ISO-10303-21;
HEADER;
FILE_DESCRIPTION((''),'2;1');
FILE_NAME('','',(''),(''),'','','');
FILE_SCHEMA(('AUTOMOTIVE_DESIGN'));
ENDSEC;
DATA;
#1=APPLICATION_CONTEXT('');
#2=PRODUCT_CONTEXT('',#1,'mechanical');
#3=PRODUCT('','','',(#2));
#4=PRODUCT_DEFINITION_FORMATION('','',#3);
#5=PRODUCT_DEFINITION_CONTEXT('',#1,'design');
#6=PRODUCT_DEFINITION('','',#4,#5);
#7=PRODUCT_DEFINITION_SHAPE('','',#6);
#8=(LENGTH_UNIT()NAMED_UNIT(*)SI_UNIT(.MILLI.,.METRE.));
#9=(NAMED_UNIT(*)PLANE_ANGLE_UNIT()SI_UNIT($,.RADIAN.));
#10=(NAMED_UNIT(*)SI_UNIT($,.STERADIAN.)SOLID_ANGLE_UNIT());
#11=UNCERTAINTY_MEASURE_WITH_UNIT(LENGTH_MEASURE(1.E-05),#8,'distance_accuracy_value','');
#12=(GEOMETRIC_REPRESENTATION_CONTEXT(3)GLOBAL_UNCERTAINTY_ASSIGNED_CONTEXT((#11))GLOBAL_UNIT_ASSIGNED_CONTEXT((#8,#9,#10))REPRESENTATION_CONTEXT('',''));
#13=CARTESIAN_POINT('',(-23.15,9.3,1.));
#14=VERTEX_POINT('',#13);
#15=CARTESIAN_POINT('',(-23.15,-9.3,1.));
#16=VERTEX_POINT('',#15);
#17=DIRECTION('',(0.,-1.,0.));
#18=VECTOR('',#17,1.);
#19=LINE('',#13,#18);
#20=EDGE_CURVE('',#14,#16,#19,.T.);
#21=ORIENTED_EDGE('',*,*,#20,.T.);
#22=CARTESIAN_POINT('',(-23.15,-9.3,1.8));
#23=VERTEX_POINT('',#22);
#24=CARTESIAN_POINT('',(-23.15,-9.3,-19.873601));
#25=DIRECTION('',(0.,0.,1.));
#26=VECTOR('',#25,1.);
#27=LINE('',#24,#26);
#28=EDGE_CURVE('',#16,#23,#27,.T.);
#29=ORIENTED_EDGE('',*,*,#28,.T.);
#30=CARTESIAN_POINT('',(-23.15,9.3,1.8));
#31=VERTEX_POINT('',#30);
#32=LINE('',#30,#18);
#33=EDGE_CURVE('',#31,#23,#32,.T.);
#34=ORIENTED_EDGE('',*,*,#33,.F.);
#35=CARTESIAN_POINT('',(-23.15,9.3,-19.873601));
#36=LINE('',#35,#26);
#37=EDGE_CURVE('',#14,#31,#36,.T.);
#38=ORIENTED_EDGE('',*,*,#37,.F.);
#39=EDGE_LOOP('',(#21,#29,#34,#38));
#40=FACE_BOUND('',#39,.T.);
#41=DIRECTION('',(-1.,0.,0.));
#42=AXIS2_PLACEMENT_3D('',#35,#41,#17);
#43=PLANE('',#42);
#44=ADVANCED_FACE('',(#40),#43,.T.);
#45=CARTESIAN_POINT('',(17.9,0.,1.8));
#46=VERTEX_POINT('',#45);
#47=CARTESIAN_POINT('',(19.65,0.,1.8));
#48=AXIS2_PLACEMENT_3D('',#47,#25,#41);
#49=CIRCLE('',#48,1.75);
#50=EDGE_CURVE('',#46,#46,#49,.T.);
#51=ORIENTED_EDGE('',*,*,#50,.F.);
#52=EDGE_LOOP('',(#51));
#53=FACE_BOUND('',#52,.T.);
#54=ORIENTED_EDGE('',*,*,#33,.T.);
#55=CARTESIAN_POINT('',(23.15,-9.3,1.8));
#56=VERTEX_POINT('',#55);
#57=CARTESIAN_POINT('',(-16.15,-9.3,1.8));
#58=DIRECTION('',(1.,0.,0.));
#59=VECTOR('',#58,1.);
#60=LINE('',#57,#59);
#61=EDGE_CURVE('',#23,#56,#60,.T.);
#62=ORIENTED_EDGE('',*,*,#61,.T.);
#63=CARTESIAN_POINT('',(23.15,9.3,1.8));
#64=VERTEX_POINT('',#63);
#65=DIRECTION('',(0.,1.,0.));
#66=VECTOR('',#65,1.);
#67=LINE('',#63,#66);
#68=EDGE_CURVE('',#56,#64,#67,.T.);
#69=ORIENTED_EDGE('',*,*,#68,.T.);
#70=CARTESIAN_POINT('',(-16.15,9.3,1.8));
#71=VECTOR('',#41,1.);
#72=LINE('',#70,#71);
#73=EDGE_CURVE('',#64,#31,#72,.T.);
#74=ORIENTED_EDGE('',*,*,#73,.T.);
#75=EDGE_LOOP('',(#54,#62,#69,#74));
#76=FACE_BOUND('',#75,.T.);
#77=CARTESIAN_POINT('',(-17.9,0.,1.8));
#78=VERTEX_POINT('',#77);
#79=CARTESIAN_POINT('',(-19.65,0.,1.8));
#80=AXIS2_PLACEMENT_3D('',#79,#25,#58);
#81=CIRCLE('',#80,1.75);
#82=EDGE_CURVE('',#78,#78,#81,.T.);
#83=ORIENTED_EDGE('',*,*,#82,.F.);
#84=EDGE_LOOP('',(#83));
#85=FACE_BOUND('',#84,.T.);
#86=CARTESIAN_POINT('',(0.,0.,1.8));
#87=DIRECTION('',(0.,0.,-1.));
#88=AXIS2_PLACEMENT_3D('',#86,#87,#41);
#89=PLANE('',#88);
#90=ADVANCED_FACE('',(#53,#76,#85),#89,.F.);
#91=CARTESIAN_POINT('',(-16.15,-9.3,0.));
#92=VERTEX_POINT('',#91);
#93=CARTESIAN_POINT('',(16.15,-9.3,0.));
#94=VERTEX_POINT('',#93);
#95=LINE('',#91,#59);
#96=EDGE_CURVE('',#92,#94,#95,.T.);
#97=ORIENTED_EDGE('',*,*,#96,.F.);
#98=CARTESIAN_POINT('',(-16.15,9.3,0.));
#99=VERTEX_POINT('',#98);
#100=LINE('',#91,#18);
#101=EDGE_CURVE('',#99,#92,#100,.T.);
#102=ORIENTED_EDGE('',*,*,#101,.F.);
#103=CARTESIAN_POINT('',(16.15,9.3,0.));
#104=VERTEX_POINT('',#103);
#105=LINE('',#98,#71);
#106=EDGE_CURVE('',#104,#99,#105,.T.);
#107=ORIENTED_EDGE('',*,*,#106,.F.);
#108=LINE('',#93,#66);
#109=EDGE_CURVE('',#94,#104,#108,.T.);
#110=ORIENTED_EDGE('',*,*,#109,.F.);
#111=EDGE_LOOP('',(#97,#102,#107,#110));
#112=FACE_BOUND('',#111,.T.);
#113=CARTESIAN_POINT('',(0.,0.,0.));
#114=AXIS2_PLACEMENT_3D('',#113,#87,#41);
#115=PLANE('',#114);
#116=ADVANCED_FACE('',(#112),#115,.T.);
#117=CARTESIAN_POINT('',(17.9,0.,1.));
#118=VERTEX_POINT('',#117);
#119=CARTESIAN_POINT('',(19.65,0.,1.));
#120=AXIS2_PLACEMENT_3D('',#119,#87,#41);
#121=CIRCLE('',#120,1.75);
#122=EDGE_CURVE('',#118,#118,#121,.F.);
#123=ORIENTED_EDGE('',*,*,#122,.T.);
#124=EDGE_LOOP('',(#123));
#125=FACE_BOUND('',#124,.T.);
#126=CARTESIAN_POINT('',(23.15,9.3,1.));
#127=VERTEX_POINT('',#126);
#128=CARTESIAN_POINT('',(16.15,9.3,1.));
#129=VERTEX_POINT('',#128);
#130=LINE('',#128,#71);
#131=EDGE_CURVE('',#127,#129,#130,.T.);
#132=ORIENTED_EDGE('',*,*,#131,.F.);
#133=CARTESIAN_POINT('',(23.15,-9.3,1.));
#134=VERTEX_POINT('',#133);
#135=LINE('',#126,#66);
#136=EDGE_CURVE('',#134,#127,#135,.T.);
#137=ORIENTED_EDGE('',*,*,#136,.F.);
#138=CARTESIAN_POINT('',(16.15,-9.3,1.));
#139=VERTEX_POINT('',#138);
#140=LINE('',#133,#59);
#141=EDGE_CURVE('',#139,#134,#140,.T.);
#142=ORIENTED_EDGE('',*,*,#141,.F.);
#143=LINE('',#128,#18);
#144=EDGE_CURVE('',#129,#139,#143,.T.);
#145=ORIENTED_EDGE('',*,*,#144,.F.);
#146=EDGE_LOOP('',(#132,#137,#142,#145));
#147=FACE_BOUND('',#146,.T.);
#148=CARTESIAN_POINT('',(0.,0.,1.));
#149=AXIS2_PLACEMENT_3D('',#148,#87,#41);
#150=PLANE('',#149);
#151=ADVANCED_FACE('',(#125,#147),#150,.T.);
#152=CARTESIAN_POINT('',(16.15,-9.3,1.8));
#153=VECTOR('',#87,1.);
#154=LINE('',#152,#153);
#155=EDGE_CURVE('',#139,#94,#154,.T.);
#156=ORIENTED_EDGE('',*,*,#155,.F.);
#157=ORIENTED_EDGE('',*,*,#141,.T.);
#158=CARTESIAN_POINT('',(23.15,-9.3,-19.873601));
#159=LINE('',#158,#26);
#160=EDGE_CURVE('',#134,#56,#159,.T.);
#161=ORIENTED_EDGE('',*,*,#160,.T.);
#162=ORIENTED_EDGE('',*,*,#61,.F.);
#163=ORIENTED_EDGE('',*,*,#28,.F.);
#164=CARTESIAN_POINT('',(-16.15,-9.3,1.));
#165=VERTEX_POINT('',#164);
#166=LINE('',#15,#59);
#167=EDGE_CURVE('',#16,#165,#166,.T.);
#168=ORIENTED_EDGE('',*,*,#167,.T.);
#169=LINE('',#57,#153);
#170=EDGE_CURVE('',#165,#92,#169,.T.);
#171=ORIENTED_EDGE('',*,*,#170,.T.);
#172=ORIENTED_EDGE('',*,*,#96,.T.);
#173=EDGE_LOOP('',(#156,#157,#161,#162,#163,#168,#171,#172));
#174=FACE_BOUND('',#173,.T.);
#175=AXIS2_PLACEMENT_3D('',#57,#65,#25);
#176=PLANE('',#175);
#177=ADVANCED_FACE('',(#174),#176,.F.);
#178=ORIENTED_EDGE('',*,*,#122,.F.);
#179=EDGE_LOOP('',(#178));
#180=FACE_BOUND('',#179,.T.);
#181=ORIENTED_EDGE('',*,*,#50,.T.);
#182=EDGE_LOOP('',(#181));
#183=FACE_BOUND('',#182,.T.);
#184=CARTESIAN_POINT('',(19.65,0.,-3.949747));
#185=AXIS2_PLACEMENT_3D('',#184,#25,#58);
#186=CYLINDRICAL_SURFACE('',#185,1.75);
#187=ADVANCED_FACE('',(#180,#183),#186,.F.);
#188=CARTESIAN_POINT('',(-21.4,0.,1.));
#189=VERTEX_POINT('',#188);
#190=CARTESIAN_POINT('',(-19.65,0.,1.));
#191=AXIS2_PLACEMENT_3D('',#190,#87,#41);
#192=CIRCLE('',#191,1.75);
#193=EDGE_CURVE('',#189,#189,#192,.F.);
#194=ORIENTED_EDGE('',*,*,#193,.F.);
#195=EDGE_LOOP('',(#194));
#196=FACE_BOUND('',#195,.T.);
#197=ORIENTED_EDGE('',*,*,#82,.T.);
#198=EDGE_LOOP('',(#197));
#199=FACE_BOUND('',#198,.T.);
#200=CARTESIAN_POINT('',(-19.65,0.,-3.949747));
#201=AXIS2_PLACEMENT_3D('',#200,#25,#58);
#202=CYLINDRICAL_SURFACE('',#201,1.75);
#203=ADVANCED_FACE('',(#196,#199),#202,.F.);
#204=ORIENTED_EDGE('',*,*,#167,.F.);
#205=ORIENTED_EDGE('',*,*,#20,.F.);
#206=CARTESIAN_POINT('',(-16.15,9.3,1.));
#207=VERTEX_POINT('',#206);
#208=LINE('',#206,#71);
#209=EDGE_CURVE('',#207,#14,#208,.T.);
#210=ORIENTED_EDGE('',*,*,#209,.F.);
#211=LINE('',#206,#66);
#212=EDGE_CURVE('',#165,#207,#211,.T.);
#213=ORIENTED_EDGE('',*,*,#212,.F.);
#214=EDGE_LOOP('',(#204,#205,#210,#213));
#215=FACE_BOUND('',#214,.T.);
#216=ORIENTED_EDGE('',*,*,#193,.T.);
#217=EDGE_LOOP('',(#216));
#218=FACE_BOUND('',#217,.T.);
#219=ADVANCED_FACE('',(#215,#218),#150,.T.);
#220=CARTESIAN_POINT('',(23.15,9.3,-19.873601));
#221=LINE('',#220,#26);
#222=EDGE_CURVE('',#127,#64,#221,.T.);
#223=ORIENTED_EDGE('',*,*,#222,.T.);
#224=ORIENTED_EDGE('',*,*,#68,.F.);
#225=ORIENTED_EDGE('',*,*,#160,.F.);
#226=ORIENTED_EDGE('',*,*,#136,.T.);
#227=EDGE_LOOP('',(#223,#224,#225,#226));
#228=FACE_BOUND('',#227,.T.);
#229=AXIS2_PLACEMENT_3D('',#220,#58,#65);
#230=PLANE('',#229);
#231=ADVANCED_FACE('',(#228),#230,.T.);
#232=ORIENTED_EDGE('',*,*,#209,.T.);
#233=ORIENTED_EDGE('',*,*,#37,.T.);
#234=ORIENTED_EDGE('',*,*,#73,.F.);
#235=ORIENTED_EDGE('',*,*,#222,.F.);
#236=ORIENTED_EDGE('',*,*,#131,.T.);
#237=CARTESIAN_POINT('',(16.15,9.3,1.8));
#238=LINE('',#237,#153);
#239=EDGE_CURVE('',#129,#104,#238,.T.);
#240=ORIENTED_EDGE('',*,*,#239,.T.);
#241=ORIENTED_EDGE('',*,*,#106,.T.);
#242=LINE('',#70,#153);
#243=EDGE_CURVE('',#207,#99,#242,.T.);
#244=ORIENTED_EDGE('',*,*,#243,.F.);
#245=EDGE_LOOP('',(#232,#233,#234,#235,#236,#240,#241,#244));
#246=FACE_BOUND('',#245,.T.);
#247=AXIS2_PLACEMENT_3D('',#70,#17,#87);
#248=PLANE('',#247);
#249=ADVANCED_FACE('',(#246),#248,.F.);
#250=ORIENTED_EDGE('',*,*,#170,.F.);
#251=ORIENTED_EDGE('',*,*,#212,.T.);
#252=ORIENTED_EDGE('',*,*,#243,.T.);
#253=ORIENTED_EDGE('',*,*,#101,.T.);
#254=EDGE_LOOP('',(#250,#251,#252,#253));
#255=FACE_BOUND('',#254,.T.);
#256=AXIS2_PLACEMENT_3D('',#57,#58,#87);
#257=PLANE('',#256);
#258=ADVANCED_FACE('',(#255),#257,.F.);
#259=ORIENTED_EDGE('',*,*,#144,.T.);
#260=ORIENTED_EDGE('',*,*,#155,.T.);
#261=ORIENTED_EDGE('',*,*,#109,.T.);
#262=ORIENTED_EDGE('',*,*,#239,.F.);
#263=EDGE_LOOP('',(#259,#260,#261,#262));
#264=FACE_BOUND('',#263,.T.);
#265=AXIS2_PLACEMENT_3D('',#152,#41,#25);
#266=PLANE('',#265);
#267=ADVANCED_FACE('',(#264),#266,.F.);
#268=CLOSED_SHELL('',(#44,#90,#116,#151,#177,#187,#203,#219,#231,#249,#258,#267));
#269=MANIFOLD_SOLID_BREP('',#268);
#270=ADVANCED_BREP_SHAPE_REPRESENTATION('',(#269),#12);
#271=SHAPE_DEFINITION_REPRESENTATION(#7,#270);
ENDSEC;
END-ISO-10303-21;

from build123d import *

# Parameters (mm, degrees)
SKETCH1_W           = 32.3
SKETCH1_H           = 18.6
BOSS_EXTRUDE1_DEPTH = 1.8
SKETCH5_W           = 7
SKETCH5_H           = 18.6
BOSS_EXTRUDE3_DEPTH = 0.8
SKETCH6_R           = 1.75
CUT_EXTRUDE3_DEPTH  = 0.8


with BuildPart() as part:
    # Sketch1 → Boss-Extrude1 (new body)
    with BuildSketch(Plane.XY):
        Rectangle(SKETCH1_W, SKETCH1_H)
    extrude(amount=BOSS_EXTRUDE1_DEPTH)

    # Sketch5 → Boss-Extrude3 (add)
    with BuildSketch(Plane.XY.offset(1.8)):
        with Locations((-19.65, 0)):
            Rectangle(SKETCH5_W, SKETCH5_H)
        with Locations((19.65, 0)):
            Rectangle(SKETCH5_W, SKETCH5_H)
    extrude(amount=-BOSS_EXTRUDE3_DEPTH)

    # Sketch6 → Cut-Extrude3 (cut)
    with BuildSketch(Plane.XY.offset(1.8)):
        with Locations((-19.65, 0)):
            Circle(SKETCH6_R)
        with Locations((19.65, 0)):
            Circle(SKETCH6_R)
    extrude(amount=-CUT_EXTRUDE3_DEPTH, mode=Mode.SUBTRACT)


solid = part.part
